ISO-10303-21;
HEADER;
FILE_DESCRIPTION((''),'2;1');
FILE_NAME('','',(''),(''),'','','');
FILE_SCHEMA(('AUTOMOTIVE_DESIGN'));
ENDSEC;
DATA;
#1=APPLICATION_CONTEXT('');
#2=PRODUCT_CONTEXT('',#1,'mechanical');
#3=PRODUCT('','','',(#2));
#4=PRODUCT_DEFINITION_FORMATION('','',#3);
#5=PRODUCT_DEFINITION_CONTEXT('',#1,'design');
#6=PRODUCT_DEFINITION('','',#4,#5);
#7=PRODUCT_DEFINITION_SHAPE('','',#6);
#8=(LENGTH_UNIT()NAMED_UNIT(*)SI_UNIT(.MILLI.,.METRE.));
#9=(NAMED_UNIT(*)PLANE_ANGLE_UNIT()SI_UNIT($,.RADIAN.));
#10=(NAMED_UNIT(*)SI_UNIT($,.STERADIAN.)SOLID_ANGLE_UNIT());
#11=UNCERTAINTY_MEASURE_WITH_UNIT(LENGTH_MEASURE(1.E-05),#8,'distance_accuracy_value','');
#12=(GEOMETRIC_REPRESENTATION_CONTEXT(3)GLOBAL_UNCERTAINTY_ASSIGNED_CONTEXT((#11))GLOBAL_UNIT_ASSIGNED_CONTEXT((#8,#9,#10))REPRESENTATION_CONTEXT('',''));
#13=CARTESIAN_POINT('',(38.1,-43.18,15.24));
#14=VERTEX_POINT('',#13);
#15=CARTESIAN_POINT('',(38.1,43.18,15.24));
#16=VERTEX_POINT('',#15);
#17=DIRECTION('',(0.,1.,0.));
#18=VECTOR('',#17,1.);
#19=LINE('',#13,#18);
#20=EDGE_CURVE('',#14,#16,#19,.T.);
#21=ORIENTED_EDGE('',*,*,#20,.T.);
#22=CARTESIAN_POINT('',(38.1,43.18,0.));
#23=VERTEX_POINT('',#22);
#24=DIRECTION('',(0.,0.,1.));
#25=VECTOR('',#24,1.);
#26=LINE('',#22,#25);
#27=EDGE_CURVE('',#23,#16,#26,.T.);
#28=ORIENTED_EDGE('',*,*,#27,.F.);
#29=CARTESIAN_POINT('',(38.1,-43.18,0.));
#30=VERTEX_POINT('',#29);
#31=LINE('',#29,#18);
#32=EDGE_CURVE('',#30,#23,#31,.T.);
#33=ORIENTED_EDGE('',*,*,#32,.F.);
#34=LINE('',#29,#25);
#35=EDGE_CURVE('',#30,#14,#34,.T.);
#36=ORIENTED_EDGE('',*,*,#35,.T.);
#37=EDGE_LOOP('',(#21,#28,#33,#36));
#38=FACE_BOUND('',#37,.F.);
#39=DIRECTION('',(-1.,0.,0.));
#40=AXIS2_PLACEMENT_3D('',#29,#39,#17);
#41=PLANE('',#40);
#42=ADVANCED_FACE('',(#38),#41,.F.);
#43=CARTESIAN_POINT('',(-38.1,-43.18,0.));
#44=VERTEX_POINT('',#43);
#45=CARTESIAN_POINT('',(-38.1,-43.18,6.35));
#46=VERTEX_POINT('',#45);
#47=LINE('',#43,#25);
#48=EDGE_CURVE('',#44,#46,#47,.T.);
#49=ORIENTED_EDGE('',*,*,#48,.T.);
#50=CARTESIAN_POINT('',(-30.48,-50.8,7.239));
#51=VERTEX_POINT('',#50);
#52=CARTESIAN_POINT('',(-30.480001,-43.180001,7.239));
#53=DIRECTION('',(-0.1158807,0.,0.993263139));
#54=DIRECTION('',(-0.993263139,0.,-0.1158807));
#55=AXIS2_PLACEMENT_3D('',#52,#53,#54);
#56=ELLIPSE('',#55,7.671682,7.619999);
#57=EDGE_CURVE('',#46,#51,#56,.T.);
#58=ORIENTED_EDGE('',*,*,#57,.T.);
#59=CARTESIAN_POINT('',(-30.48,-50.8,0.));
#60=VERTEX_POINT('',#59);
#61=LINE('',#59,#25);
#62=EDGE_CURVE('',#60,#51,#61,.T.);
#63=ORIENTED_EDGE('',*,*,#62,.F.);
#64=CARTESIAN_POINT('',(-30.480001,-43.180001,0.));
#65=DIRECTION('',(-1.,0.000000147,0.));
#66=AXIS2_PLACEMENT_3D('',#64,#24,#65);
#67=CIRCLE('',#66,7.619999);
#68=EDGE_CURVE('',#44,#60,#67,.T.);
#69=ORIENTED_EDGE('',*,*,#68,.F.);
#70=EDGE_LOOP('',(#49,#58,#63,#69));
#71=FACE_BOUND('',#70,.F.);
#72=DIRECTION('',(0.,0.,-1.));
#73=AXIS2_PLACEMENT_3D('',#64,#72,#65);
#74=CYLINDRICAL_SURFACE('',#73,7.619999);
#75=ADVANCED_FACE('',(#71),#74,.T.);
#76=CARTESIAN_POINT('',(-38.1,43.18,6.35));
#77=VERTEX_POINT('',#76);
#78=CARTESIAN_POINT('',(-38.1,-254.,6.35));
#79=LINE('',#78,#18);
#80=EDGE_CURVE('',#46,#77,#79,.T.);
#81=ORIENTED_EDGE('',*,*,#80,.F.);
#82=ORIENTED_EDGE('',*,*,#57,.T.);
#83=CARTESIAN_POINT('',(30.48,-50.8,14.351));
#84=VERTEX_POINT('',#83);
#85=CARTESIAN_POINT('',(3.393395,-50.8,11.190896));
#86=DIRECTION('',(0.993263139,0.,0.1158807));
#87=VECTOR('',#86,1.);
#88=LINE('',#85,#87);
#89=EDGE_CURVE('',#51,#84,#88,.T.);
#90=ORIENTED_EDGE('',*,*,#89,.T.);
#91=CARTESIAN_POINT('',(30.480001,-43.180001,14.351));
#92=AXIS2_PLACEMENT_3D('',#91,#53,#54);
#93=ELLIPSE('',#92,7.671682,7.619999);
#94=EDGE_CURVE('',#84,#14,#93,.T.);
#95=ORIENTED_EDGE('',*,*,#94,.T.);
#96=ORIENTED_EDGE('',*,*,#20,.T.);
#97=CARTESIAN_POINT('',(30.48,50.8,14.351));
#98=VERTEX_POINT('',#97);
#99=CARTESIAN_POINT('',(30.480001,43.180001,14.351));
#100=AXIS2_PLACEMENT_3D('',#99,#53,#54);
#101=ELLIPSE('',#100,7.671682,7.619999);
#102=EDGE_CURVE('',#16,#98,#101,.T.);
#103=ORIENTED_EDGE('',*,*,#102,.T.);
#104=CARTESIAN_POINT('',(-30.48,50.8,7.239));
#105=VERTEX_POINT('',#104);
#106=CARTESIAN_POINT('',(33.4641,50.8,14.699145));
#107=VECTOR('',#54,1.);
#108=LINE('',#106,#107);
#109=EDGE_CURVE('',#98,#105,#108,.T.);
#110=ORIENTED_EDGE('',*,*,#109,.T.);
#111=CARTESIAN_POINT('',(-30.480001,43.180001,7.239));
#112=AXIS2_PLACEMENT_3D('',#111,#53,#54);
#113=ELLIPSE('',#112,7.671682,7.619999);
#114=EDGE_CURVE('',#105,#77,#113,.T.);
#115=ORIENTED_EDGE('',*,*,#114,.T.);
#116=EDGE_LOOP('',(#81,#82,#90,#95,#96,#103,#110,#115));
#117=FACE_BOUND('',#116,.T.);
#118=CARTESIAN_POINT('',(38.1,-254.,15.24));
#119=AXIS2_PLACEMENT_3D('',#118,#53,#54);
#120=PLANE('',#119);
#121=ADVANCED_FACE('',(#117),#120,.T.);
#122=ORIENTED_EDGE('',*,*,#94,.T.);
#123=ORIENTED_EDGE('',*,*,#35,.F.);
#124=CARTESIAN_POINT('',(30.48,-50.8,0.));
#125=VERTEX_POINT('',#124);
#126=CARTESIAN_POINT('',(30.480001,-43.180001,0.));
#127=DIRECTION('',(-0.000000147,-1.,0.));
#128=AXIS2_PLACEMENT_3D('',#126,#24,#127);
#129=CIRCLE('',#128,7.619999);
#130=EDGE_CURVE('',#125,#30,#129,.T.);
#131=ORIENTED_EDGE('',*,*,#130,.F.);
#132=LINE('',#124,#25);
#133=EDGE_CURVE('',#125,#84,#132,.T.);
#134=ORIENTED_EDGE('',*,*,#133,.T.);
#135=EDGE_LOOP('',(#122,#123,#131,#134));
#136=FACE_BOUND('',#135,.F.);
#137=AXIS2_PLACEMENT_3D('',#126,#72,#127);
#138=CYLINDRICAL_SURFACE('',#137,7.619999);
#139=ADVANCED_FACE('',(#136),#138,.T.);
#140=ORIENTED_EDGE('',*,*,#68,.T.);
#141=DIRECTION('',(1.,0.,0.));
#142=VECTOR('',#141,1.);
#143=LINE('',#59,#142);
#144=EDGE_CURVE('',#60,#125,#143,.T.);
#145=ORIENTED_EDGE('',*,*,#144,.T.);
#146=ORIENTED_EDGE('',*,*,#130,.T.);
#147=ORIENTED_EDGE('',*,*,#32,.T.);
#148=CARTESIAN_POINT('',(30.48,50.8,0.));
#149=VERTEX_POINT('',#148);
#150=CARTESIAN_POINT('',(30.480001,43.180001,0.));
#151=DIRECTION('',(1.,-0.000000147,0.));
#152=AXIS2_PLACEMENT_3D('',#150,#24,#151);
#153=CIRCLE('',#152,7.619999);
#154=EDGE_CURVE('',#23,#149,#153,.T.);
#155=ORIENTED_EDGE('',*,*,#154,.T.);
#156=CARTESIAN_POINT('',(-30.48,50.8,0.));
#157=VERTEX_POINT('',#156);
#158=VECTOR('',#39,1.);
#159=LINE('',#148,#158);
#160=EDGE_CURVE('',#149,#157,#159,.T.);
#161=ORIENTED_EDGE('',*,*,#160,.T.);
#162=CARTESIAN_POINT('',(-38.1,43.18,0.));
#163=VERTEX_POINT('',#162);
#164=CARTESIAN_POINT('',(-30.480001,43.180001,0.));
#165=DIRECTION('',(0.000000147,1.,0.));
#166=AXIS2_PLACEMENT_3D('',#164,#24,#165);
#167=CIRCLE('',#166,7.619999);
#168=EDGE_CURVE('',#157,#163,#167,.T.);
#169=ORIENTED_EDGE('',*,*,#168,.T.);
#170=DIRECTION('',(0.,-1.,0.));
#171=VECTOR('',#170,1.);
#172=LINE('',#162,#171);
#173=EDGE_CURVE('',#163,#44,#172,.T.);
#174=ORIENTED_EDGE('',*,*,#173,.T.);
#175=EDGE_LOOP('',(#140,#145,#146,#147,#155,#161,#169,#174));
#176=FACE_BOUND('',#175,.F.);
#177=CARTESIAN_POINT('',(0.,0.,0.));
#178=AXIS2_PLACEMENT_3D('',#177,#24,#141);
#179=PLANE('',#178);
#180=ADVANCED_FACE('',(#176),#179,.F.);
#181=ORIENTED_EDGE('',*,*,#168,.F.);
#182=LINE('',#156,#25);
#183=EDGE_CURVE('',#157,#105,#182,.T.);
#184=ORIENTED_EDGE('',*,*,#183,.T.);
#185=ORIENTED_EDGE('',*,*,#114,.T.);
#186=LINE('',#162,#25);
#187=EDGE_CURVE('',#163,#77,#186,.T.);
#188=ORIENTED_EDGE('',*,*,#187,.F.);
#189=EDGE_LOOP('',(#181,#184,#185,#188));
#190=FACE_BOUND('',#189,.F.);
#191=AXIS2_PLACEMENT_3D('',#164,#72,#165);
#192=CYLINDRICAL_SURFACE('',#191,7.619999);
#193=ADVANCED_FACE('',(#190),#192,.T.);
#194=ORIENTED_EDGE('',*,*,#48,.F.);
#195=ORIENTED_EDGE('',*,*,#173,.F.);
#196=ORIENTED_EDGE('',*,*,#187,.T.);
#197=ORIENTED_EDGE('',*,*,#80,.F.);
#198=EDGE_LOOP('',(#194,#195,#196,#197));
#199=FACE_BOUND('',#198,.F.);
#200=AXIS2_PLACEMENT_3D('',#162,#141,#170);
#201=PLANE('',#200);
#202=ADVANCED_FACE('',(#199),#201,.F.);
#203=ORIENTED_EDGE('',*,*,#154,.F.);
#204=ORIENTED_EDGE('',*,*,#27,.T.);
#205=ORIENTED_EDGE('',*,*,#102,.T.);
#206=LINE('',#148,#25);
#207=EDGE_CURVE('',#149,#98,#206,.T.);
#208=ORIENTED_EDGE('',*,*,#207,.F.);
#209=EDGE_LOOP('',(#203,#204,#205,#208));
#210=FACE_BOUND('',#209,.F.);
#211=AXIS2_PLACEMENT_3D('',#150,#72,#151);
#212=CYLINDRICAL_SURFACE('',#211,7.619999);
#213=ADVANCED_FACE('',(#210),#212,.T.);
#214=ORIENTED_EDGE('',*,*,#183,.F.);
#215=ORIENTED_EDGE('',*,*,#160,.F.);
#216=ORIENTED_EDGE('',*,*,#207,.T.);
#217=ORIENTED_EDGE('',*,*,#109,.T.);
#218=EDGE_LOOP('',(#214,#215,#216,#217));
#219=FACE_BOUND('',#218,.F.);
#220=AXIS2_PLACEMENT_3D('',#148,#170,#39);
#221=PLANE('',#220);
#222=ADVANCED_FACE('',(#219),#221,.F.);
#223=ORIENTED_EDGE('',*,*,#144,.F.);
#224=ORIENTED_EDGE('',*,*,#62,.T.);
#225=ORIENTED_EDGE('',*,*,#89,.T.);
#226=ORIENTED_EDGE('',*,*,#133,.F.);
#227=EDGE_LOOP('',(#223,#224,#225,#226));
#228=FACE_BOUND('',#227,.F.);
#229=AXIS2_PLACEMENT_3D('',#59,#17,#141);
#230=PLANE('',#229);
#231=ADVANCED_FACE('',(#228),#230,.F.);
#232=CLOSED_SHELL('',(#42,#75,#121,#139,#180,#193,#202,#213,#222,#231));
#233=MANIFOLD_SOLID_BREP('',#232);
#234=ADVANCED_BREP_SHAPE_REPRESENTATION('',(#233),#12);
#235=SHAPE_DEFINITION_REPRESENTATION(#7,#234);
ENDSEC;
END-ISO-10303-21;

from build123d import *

# Parameters (mm, degrees)
F3_DEPTH = 15.24
F4_DEPTH = 304.801


with BuildPart() as f3:
    # F1 (on Top) → F3 (new body, through all)
    with BuildSketch(Plane.XY):
        with BuildLine():
            Line((30.48, 50.8), (-30.48, 50.8))
            ThreePointArc((-30.48, 50.8), (-35.868154, 48.568154), (-38.1, 43.18))
            Line((-38.1, 43.18), (-38.1, -43.18))
            ThreePointArc((-38.1, -43.18), (-35.868154, -48.568154), (-30.48, -50.8))
            Line((-30.48, -50.8), (30.48, -50.8))
            ThreePointArc((30.48, -50.8), (35.868154, -48.568154), (38.1, -43.18))
            Line((38.1, -43.18), (38.1, 43.18))
            ThreePointArc((38.1, 43.18), (35.868154, 48.568154), (30.48, 50.8))
        make_face()
    extrude(amount=F3_DEPTH)

    # F2 (on offset) → F4 (intersect, through all)
    with BuildSketch(Plane.XZ.offset(254)):
        Polygon((-38.1, 6.35), (-38.1, 0), (38.1, 0), (38.1, 15.24), align=None)
    extrude(amount=-F4_DEPTH, mode=Mode.INTERSECT)


solid = f3.part
